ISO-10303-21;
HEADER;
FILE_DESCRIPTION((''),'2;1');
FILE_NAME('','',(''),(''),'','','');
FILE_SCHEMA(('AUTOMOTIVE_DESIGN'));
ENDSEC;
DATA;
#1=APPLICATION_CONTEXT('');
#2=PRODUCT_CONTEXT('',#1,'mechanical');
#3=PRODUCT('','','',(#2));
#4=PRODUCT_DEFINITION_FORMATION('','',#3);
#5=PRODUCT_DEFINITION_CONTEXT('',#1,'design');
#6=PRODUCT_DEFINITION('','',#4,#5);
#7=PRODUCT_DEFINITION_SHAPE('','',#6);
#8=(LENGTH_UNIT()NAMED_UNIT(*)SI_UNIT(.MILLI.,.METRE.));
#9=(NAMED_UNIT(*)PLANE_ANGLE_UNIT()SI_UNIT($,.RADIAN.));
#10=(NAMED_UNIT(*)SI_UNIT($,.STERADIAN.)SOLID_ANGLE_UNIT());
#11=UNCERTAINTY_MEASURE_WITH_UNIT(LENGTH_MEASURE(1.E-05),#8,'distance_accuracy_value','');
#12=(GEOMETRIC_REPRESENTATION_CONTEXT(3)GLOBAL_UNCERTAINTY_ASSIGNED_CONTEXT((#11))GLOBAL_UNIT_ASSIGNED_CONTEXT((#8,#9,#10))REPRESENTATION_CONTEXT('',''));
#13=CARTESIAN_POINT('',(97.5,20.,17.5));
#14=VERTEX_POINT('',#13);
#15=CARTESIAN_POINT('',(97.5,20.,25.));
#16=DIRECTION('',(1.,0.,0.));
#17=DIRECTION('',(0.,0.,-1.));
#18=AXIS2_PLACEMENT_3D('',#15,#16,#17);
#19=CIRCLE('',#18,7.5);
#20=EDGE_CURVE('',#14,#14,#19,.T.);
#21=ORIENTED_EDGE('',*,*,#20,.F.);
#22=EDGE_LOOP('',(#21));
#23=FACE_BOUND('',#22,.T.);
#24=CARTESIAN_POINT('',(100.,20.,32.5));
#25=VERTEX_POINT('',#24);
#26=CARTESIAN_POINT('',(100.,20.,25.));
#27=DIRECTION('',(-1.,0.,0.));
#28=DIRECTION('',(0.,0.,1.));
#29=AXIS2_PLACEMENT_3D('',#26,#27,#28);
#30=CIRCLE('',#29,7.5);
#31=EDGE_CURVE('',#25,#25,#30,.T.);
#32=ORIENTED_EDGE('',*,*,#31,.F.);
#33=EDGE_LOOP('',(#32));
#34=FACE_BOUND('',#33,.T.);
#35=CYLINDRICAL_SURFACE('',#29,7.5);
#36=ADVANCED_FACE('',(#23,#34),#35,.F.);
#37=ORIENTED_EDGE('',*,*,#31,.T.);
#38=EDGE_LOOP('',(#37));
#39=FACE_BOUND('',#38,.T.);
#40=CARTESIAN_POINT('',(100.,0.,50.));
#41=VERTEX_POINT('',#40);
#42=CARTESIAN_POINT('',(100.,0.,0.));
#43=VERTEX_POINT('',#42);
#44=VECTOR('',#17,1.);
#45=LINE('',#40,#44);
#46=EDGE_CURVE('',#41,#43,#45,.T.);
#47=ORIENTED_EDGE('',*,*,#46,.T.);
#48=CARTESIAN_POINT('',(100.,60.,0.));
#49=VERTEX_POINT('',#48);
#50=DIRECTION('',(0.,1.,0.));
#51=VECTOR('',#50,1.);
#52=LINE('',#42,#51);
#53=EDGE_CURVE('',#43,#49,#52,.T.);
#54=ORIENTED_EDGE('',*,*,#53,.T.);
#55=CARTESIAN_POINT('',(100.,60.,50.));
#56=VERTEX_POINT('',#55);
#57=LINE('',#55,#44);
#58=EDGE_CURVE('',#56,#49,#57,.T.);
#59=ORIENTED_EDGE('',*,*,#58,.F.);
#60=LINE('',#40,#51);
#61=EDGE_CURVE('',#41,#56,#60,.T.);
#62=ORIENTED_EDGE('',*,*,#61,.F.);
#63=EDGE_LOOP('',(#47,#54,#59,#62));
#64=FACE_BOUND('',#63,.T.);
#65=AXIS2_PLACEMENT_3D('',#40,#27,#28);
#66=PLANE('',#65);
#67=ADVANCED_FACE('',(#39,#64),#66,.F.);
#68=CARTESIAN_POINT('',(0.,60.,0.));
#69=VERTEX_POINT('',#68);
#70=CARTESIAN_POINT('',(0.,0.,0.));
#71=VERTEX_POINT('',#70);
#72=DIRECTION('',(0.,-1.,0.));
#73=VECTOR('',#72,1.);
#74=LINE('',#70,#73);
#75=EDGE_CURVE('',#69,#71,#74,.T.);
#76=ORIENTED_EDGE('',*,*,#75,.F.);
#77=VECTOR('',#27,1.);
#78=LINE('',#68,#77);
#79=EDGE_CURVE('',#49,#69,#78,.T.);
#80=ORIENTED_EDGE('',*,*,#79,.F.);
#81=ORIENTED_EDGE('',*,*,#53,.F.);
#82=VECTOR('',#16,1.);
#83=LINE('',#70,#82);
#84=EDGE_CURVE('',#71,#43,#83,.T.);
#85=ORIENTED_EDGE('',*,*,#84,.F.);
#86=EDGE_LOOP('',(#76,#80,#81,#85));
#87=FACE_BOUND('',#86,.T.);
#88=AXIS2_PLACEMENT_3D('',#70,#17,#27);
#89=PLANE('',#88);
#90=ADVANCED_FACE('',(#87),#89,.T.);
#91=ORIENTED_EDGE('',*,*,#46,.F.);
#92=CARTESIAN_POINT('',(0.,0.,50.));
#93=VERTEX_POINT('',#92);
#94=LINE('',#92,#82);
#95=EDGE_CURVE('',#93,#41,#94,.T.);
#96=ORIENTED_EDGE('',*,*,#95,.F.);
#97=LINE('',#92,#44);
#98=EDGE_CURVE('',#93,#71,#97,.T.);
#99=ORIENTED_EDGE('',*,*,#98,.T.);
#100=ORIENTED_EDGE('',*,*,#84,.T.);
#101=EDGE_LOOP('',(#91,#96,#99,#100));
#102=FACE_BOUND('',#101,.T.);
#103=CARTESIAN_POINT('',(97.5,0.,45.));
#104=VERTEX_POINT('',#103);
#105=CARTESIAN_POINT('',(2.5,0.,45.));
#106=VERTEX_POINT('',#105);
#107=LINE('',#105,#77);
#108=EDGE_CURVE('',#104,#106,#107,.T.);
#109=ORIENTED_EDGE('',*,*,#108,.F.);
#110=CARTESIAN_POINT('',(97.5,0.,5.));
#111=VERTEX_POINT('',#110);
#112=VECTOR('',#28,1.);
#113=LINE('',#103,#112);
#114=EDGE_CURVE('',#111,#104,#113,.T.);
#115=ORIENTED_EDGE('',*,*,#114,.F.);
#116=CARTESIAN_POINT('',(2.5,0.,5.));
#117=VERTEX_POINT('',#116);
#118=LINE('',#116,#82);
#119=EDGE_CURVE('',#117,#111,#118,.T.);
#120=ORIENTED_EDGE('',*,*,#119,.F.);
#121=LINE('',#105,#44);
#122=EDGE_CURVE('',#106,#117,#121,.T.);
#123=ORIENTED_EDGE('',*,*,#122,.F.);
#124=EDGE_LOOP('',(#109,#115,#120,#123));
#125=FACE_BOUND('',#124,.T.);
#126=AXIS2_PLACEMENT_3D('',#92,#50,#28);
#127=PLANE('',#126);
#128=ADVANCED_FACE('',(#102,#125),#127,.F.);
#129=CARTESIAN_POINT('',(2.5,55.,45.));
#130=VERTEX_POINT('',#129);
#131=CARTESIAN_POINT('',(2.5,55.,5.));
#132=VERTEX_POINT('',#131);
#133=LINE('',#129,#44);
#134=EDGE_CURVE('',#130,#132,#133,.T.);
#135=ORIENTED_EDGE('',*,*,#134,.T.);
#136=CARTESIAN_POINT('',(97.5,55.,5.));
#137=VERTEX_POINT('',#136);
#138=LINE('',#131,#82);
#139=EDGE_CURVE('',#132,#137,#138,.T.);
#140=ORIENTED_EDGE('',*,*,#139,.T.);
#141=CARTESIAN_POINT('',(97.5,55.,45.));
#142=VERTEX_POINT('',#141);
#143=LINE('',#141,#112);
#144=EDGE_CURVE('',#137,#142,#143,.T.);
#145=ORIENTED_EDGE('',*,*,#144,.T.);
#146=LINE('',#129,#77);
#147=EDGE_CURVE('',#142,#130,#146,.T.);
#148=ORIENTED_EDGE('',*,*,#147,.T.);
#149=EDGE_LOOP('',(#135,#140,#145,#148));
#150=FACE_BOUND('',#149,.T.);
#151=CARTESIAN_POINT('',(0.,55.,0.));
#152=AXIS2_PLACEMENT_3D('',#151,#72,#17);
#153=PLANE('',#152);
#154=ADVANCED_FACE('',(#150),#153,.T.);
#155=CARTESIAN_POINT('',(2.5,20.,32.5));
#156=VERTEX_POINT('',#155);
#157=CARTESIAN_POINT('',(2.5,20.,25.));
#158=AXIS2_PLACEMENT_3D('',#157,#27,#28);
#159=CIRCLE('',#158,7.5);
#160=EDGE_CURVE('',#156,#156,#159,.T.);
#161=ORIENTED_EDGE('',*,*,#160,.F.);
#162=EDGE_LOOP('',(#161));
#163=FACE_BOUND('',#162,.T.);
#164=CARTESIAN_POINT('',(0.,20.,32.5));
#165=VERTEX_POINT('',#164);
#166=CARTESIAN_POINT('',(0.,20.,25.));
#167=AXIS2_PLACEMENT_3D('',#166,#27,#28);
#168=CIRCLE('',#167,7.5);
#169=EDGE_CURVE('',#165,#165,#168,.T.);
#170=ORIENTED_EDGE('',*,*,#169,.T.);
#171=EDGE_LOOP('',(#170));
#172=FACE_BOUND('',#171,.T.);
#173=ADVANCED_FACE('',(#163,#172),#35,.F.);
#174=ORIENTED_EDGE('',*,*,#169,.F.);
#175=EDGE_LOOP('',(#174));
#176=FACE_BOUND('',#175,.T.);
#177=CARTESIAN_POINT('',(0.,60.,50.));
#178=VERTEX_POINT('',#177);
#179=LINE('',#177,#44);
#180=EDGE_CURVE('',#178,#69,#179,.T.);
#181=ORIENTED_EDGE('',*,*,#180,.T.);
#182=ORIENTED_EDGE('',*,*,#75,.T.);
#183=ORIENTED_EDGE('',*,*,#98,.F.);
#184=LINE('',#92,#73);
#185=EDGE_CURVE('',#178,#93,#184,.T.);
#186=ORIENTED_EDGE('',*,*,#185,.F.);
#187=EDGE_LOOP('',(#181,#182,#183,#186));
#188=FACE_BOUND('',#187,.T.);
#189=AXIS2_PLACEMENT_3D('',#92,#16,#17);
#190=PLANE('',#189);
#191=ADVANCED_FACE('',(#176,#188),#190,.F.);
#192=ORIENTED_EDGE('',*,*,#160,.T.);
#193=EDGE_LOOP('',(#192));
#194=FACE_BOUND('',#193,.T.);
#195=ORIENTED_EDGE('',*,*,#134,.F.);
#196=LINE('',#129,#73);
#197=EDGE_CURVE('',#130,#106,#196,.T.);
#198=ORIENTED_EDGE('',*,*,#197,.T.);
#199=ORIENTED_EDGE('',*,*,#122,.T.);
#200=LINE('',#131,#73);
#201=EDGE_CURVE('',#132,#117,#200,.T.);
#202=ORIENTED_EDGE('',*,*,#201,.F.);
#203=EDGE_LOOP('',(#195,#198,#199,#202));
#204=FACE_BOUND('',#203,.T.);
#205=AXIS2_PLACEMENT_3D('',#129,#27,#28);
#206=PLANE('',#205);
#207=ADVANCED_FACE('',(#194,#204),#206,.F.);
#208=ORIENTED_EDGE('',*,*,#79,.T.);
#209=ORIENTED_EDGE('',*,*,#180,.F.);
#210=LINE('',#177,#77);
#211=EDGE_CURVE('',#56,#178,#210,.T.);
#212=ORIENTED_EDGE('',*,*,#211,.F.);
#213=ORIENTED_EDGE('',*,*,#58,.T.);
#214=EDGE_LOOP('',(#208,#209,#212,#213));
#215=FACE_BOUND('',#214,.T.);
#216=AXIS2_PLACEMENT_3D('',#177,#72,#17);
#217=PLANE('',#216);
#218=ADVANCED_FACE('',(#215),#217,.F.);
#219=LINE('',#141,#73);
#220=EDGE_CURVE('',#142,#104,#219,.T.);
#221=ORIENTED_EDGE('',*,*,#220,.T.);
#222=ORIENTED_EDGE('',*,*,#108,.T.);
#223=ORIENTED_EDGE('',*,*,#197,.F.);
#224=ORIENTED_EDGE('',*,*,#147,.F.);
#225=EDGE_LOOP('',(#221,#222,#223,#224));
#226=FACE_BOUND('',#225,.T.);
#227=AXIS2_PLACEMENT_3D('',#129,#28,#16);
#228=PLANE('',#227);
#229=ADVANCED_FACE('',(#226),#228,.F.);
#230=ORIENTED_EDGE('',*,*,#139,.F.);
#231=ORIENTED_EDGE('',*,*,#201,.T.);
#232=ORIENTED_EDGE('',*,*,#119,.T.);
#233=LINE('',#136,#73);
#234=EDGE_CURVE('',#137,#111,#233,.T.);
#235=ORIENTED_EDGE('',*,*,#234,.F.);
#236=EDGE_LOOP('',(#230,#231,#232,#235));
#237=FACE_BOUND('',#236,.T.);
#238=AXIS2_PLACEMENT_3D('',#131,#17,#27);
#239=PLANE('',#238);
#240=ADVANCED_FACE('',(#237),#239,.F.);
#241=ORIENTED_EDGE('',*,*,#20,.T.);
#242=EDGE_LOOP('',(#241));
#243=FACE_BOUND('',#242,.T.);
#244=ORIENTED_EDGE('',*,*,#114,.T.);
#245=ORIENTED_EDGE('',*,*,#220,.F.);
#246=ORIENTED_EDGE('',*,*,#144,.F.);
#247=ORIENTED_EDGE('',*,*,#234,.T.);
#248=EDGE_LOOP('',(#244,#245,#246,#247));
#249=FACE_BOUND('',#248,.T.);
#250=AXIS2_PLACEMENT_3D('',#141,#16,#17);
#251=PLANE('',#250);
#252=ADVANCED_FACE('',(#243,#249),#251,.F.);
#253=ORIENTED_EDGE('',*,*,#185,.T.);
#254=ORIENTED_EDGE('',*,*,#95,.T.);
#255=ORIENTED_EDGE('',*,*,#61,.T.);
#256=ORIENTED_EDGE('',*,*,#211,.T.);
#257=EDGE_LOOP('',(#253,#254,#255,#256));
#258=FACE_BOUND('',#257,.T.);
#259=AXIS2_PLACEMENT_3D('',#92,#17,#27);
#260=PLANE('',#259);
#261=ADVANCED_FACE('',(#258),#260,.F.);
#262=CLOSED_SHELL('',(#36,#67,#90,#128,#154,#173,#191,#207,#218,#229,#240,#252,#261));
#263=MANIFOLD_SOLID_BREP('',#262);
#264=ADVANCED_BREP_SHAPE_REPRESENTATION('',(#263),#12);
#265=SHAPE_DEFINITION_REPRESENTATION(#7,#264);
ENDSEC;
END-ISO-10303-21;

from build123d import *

# Parameters (mm, degrees)
SKETCH1_W           = 100
SKETCH1_H           = 60
BOSS_EXTRUDE1_DEPTH = 50
SKETCH2_W           = 95
SKETCH2_H           = 40
CUT_EXTRUDE1_DEPTH  = 55
SKETCH3_R           = 7.5
CUT_EXTRUDE2_DEPTH  = 101


with BuildPart() as part:
    # Sketch1 → Boss-Extrude1 (new body)
    with BuildSketch(Plane.XY):
        with Locations((50, 30)):
            Rectangle(SKETCH1_W, SKETCH1_H)
    extrude(amount=BOSS_EXTRUDE1_DEPTH)

    # Sketch2 → Cut-Extrude1 (cut)
    with BuildSketch(Plane.XZ):
        with Locations((50, 25)):
            Rectangle(SKETCH2_W, SKETCH2_H)
    extrude(amount=-CUT_EXTRUDE1_DEPTH, mode=Mode.SUBTRACT)

    # Sketch3 → Cut-Extrude2 (cut, through all)
    with BuildSketch(Plane.ZY):
        with Locations((25, 20)):
            Circle(SKETCH3_R)
    extrude(amount=-CUT_EXTRUDE2_DEPTH, mode=Mode.SUBTRACT)


solid = part.part
